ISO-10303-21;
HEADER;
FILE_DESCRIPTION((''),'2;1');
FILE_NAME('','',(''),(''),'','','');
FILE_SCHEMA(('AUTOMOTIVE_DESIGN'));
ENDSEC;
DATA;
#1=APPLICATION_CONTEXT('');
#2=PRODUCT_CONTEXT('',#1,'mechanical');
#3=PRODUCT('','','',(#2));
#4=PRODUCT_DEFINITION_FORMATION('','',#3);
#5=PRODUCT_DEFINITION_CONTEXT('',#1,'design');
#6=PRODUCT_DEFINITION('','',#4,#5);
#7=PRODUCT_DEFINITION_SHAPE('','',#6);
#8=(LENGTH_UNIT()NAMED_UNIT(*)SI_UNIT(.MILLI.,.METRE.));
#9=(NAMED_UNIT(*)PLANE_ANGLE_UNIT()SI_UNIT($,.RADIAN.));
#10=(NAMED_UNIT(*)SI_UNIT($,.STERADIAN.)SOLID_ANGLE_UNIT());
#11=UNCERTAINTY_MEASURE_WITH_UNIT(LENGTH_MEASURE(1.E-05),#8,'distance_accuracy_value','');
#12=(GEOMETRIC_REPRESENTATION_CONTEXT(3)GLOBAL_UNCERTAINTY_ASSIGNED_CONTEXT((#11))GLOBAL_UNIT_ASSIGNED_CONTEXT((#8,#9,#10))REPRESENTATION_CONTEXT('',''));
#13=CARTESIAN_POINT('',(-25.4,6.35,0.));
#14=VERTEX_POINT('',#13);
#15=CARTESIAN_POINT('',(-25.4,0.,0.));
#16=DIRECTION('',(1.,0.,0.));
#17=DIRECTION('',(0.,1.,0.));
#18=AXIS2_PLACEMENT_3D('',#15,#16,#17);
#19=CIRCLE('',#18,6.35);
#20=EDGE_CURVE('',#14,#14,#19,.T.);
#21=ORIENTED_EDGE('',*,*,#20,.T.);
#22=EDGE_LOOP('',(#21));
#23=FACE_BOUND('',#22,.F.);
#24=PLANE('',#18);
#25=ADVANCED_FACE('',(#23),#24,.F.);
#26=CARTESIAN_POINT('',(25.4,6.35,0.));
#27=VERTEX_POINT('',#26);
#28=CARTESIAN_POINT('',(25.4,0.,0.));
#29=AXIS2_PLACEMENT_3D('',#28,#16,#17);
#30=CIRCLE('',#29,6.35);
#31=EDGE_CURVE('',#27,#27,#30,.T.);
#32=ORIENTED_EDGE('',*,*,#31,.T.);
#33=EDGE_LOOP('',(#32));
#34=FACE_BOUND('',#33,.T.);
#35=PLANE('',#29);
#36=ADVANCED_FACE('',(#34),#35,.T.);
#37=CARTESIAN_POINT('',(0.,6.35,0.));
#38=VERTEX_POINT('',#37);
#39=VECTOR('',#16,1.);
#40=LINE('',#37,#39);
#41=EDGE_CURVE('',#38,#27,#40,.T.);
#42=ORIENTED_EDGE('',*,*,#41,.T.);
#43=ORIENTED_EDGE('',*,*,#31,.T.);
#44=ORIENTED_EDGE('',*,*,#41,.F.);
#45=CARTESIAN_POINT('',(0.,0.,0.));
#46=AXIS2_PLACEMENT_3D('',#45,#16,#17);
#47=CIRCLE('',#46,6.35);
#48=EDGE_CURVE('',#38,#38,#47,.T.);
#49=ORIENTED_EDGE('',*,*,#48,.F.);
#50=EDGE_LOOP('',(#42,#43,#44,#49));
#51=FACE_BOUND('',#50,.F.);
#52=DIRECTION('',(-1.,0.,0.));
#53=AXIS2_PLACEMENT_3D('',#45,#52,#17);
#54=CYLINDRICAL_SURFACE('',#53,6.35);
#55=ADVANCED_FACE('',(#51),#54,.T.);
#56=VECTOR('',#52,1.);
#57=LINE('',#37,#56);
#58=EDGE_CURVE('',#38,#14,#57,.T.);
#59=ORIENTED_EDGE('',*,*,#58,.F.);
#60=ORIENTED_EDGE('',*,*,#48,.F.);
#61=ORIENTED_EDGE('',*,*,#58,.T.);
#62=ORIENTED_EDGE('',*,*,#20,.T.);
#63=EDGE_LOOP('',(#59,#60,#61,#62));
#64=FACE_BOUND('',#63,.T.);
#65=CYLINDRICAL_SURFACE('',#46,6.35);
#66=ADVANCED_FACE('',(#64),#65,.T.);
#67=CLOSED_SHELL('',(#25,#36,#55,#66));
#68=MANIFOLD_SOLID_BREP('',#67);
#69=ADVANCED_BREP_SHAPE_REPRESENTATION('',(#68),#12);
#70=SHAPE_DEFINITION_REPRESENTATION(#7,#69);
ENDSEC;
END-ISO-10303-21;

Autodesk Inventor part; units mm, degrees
ref_plane "XZ Plane" through (0, 0, 0) normal (0, 1, 0) x (-1, 0, 0)
ref_plane "XY Plane" through (0, 0, 0) normal (0, 0, 1) x (1, 0, 0)
sketch "Sketch1" plane through (0, 0, 0) normal (1, 0, 0) x (0, 1, 0)
  circle A0 centre (0, 0) radius 6.35
  dimension "d0" = 12.7
extrude "Extrusion1" add sketch "Sketch1" along normal mid plane 50.8
properties part number "shortAxel"
